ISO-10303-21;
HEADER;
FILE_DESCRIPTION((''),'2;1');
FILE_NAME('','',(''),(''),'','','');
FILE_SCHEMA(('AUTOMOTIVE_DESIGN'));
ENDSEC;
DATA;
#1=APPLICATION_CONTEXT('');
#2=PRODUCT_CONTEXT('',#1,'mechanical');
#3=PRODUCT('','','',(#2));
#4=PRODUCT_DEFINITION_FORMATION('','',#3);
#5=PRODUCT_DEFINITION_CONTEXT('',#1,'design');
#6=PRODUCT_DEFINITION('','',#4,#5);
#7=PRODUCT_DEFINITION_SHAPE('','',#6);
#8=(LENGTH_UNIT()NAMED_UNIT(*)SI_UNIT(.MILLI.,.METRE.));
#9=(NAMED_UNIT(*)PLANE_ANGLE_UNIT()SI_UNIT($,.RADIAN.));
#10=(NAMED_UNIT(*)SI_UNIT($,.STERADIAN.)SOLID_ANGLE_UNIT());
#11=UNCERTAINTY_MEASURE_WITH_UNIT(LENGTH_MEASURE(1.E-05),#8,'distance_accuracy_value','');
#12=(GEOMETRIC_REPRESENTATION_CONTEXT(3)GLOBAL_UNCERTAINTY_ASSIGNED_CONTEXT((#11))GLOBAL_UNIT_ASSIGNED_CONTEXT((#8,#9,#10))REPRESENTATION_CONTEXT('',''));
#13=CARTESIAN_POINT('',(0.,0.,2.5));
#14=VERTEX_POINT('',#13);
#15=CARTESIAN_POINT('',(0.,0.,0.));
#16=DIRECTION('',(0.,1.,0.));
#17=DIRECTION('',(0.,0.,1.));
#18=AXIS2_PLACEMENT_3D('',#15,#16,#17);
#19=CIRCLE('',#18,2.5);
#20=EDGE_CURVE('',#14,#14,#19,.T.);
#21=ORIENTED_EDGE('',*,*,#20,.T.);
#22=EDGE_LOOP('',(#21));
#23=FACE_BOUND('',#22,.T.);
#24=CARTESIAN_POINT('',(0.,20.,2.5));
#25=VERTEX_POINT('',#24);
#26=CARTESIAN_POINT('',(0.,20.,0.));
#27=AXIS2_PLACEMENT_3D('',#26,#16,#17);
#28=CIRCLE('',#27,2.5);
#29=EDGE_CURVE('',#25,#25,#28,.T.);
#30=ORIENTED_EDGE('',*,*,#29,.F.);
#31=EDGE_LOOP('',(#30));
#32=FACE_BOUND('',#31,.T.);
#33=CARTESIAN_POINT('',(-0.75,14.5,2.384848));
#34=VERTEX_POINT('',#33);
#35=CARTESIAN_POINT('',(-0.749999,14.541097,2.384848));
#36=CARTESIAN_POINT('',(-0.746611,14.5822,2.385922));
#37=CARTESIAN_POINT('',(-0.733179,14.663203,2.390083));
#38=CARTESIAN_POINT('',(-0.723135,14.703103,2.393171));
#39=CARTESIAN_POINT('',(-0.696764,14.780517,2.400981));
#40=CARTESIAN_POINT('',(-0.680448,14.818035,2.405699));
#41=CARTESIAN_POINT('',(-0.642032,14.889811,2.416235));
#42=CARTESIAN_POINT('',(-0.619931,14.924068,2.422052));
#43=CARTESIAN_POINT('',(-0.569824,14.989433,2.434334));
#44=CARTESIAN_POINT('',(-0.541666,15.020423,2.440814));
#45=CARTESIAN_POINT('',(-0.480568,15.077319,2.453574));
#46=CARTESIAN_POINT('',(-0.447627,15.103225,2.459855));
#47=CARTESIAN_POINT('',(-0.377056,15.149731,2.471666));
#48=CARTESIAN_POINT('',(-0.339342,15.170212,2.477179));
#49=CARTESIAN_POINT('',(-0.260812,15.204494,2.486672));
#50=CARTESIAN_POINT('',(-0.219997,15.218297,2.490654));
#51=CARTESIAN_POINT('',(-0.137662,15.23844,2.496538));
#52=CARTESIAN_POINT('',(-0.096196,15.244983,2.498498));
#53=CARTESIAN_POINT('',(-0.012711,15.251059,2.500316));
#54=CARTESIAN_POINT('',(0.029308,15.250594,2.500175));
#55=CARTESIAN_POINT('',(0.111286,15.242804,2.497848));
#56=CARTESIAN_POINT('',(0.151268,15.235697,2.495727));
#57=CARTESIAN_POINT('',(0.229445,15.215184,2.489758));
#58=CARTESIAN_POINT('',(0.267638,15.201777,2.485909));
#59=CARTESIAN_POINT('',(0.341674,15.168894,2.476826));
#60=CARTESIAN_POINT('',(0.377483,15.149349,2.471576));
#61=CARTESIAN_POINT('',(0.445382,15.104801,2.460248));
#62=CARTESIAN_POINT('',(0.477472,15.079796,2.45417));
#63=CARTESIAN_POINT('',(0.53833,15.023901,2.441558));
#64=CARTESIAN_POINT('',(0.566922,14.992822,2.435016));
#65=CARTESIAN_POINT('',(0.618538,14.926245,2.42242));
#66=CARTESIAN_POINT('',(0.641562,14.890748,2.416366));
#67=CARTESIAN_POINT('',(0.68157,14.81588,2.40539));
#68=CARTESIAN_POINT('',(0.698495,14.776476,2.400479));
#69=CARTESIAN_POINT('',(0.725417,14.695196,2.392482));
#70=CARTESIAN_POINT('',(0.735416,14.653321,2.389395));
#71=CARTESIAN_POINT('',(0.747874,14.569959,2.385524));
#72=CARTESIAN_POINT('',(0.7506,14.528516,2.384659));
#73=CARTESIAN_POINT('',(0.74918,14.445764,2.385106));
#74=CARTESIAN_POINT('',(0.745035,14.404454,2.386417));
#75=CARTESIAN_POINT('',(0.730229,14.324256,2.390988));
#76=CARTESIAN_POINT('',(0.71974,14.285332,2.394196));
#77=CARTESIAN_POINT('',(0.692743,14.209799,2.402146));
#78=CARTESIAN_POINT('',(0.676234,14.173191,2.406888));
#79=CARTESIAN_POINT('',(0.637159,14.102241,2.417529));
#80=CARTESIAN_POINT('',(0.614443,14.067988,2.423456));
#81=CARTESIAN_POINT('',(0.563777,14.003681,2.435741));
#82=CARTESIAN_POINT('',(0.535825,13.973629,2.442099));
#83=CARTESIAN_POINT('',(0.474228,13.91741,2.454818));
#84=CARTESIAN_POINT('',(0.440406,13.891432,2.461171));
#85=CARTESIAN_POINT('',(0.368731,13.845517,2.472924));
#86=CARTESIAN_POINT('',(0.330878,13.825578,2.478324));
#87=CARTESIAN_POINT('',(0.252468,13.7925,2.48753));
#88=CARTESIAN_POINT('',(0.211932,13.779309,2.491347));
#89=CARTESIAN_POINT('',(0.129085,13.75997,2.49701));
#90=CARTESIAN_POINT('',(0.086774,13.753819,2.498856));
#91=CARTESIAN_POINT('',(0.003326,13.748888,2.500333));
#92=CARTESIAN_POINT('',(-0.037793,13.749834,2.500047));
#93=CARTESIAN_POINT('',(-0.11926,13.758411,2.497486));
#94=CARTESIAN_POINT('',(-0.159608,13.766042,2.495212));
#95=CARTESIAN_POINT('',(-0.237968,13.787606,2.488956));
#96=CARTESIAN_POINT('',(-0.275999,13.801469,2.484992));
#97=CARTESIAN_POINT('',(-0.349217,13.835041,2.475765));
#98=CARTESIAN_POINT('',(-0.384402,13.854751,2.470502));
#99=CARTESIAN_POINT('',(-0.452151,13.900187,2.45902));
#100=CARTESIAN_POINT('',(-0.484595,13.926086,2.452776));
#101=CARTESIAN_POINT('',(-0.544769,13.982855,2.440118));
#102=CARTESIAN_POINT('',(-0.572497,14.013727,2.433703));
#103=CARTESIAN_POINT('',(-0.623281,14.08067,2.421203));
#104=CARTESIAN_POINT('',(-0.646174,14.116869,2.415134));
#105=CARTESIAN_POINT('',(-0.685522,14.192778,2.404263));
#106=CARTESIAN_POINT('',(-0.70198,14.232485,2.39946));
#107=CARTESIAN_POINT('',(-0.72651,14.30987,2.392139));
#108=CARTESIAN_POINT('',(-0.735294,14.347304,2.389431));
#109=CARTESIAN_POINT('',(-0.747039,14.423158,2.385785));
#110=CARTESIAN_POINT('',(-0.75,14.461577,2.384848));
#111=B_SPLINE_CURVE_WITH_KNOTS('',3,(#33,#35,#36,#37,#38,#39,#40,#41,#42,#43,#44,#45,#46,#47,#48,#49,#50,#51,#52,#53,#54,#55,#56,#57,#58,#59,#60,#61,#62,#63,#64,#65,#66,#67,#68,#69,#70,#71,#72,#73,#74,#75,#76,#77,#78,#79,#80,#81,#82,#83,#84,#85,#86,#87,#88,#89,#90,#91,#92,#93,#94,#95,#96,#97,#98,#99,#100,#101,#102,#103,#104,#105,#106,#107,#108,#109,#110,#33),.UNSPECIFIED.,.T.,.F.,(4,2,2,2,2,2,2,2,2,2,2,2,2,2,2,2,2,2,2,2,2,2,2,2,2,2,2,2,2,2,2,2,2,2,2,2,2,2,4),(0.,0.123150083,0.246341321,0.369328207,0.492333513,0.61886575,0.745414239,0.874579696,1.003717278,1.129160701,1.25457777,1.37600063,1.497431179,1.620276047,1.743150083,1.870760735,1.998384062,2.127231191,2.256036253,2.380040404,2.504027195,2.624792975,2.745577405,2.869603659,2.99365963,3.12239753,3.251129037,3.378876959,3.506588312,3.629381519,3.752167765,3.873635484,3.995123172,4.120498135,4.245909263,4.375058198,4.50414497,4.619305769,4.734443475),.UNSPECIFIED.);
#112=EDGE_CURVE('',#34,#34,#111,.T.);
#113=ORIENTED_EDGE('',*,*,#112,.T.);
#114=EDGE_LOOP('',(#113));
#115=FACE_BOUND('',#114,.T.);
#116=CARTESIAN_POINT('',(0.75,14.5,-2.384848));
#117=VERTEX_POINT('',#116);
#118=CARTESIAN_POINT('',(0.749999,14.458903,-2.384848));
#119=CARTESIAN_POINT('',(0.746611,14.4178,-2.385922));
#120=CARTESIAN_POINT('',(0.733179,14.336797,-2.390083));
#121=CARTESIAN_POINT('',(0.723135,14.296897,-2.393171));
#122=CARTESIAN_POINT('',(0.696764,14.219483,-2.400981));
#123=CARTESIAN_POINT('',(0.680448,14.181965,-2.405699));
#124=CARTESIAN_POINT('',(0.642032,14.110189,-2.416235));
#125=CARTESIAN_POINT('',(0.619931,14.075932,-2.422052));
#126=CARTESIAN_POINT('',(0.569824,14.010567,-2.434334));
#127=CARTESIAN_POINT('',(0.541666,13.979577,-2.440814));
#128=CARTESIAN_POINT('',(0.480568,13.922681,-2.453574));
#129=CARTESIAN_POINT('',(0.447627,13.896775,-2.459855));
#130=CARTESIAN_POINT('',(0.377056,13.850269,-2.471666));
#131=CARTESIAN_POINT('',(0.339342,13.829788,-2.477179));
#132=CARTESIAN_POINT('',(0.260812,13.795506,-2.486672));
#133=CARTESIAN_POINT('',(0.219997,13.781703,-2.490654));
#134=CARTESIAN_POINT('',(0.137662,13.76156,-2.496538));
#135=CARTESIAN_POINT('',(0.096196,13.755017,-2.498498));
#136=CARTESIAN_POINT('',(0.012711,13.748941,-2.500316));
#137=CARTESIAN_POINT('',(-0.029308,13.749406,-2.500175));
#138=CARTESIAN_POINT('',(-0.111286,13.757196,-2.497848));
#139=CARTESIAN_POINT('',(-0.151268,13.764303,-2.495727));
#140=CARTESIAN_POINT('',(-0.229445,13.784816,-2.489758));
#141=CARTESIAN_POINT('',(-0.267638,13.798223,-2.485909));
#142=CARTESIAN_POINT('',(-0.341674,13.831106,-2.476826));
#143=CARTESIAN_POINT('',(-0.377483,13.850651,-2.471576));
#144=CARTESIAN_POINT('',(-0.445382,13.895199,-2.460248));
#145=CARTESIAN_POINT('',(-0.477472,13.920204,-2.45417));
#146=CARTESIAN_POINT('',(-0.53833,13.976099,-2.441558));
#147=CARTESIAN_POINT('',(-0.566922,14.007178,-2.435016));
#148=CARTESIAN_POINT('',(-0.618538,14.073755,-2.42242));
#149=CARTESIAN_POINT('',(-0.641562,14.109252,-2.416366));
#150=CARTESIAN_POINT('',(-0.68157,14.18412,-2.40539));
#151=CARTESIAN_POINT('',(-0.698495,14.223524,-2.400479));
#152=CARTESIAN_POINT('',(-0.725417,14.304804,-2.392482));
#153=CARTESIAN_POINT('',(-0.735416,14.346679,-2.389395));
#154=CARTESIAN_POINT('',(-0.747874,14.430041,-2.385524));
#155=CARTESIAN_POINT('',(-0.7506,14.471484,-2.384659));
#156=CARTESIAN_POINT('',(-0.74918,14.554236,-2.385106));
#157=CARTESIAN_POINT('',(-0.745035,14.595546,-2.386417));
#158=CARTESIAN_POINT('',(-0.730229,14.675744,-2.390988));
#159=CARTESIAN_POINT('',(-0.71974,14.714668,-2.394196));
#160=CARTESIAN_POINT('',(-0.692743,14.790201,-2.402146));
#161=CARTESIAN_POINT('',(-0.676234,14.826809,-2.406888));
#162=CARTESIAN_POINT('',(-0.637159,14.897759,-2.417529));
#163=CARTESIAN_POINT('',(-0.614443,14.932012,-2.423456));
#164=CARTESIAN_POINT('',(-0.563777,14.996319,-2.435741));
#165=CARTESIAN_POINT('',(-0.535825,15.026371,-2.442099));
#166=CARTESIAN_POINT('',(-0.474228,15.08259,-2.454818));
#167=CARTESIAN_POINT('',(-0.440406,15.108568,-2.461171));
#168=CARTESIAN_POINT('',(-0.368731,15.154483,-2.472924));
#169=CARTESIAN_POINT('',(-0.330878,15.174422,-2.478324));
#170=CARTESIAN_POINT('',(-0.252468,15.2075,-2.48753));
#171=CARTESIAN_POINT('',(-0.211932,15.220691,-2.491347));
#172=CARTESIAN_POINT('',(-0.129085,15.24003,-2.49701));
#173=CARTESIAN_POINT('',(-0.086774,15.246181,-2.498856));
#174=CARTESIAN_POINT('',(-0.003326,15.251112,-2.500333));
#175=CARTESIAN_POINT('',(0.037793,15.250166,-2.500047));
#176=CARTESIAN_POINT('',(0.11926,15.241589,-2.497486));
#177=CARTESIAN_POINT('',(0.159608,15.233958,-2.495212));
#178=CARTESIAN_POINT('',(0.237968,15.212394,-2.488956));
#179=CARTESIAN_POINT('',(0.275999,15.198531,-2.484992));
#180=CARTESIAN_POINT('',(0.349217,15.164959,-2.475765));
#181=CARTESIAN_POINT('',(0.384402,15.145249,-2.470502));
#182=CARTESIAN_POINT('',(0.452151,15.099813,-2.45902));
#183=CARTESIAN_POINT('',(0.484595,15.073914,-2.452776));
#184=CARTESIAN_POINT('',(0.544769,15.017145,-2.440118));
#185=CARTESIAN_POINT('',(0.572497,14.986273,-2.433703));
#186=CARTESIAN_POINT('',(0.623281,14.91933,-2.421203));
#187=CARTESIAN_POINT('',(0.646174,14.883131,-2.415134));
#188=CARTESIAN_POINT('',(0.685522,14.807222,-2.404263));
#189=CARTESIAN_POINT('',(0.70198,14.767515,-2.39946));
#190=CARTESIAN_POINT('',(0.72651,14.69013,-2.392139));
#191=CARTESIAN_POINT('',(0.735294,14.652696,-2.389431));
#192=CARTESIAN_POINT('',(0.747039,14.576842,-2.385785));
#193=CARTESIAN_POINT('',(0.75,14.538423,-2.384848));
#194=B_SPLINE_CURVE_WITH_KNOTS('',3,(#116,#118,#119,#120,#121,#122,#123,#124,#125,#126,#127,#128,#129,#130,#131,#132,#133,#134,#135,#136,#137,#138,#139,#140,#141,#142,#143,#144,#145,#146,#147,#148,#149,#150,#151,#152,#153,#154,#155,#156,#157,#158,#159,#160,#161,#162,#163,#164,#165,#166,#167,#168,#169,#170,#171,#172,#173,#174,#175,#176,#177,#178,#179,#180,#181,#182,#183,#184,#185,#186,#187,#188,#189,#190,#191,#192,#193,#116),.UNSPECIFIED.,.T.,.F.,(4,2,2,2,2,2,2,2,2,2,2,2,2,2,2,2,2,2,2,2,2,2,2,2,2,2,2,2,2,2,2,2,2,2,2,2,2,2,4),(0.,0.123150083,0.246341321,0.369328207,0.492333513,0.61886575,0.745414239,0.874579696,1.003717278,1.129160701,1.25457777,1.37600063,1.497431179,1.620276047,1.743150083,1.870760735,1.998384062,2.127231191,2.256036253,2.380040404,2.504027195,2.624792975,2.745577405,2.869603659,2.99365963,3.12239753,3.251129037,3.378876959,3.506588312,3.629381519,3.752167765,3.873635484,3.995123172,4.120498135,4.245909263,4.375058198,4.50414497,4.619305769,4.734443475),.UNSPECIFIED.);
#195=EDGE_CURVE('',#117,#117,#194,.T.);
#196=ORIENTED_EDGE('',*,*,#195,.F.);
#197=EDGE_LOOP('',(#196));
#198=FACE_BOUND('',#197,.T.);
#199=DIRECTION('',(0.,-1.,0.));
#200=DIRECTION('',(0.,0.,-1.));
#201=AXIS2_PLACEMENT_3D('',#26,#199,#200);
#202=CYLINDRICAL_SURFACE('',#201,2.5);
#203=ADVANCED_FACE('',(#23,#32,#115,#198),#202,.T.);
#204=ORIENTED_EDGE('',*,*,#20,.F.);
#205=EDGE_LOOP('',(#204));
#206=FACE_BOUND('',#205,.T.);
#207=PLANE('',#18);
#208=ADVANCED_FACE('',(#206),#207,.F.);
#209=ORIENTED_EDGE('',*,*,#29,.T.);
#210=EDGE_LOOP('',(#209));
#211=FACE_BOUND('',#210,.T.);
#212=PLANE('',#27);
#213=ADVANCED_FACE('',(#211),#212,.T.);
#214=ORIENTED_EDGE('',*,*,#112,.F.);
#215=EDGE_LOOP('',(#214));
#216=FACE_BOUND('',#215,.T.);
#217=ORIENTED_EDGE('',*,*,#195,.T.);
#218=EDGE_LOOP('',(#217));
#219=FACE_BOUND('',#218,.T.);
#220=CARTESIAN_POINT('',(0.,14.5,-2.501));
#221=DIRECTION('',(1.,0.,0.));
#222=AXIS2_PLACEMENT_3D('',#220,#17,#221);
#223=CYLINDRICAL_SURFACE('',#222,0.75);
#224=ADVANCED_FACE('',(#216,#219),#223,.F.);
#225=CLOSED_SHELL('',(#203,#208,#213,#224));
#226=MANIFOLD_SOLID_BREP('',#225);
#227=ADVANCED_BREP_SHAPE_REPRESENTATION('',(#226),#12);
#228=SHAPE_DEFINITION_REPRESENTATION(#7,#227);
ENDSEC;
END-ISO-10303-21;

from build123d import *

# Parameters (mm, degrees)
CROQUIS1_R                        = 2.5
SALIENTE_EXTRUIR1_DEPTH           = 20
CORTAR_EXTRUIR1_REACH             = 4.5
CROQUIS2_R                        = 0.75
CORTAR_EXTRUIR1_DIRECTION_2_REACH = 4.5


with BuildPart() as part:
    # Croquis1 → Saliente-Extruir1 (new body)
    with BuildSketch(Plane(origin=(0, 0, 0), x_dir=(1, 0, 0), z_dir=(0, 1, 0))):
        Circle(CROQUIS1_R)
    extrude(amount=SALIENTE_EXTRUIR1_DEPTH)

    # Croquis2 → Cortar-Extruir1 (cut, up to next)
    with BuildSketch(Plane.XY, mode=Mode.PRIVATE) as cortar_extruir1_sk1:
        with Locations((0, 14.5)):
            Circle(CROQUIS2_R)
    cortar_extruir1_tool1 = extrude(cortar_extruir1_sk1.sketch, amount=-CORTAR_EXTRUIR1_REACH, mode=Mode.PRIVATE) & part.part
    add(cortar_extruir1_tool1.solids().sort_by_distance((0, 14.5, 0))[0], mode=Mode.SUBTRACT)

    # Croquis2 → Cortar-Extruir1 direction 2 (cut, up to next)
    with BuildSketch(Plane.XY, mode=Mode.PRIVATE) as cortar_extruir1_direction_2_sk1:
        with Locations((0, 14.5)):
            Circle(CROQUIS2_R)
    cortar_extruir1_direction_2_tool1 = extrude(cortar_extruir1_direction_2_sk1.sketch, amount=CORTAR_EXTRUIR1_DIRECTION_2_REACH, mode=Mode.PRIVATE) & part.part
    add(cortar_extruir1_direction_2_tool1.solids().sort_by_distance((0, 14.5, 0))[0], mode=Mode.SUBTRACT)


solid = part.part
